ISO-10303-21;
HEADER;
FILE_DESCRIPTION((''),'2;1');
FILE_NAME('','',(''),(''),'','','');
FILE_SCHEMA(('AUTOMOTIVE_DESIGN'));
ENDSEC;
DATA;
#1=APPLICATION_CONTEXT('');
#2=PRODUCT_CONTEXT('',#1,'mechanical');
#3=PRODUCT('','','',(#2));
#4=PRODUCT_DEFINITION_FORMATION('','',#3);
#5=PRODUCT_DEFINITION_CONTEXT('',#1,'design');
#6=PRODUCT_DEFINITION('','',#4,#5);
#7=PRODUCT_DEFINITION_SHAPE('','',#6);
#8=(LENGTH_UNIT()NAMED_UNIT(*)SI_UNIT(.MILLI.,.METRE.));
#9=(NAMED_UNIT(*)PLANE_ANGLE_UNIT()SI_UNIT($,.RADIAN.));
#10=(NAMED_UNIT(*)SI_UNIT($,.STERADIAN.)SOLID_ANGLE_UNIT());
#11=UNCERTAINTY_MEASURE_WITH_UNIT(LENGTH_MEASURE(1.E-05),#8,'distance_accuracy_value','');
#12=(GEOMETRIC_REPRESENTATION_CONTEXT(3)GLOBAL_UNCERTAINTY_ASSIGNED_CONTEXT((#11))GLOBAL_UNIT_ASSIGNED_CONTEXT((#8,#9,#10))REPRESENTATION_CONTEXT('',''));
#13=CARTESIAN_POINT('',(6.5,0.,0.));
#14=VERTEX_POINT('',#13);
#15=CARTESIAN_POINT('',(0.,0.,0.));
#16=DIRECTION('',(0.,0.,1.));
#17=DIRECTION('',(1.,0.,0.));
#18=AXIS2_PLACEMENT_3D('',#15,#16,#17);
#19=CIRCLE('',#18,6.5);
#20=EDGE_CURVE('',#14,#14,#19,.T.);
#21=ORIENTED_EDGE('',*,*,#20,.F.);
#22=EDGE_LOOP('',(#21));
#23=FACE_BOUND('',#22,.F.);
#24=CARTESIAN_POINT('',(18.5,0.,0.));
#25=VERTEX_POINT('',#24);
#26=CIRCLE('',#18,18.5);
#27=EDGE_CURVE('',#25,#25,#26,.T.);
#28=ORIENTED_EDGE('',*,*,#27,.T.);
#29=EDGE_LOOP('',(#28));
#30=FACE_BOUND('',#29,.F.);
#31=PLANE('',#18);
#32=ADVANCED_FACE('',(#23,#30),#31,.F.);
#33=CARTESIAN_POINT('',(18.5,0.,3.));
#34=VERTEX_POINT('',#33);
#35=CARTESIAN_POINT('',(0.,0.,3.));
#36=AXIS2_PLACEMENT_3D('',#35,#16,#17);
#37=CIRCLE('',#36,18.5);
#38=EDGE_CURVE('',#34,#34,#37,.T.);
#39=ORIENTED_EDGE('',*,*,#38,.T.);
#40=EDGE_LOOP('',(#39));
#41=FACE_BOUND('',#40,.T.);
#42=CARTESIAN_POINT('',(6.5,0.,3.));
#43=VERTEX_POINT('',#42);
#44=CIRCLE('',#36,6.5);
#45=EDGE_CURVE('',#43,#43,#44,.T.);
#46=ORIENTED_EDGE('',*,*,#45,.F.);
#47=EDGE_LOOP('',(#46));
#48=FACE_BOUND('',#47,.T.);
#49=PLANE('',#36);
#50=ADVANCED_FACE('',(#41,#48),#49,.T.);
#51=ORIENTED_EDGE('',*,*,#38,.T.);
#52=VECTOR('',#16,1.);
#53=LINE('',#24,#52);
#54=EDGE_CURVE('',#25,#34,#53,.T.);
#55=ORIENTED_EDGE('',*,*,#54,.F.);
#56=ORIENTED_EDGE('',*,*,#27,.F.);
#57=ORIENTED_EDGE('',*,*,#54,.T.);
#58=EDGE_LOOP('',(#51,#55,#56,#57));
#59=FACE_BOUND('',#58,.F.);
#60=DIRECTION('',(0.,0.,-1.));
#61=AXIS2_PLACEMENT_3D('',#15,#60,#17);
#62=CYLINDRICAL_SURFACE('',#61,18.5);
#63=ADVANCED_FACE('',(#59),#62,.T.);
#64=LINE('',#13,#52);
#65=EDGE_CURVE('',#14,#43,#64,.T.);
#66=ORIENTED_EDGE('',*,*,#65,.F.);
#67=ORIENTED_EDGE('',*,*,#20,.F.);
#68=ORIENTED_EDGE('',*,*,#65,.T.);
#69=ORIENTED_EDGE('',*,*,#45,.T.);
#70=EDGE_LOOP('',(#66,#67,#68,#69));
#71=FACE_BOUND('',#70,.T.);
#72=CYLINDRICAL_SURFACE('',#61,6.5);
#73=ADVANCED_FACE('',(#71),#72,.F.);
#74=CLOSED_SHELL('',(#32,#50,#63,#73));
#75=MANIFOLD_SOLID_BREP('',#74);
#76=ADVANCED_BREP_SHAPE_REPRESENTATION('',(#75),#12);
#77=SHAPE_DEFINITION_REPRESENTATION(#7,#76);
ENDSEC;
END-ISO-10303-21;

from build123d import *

# Parameters (mm, degrees)
SKETCH_243_R    = 18.5
SKETCH_243_R_2  = 6.5
EXTRUDE_1_DEPTH = 3


with BuildPart() as part:
    # Sketch 243 → 拉伸1 (new body)
    with BuildSketch(Plane.XY):
        Circle(SKETCH_243_R)
        Circle(SKETCH_243_R_2, mode=Mode.SUBTRACT)
    extrude(amount=EXTRUDE_1_DEPTH)


solid = part.part
